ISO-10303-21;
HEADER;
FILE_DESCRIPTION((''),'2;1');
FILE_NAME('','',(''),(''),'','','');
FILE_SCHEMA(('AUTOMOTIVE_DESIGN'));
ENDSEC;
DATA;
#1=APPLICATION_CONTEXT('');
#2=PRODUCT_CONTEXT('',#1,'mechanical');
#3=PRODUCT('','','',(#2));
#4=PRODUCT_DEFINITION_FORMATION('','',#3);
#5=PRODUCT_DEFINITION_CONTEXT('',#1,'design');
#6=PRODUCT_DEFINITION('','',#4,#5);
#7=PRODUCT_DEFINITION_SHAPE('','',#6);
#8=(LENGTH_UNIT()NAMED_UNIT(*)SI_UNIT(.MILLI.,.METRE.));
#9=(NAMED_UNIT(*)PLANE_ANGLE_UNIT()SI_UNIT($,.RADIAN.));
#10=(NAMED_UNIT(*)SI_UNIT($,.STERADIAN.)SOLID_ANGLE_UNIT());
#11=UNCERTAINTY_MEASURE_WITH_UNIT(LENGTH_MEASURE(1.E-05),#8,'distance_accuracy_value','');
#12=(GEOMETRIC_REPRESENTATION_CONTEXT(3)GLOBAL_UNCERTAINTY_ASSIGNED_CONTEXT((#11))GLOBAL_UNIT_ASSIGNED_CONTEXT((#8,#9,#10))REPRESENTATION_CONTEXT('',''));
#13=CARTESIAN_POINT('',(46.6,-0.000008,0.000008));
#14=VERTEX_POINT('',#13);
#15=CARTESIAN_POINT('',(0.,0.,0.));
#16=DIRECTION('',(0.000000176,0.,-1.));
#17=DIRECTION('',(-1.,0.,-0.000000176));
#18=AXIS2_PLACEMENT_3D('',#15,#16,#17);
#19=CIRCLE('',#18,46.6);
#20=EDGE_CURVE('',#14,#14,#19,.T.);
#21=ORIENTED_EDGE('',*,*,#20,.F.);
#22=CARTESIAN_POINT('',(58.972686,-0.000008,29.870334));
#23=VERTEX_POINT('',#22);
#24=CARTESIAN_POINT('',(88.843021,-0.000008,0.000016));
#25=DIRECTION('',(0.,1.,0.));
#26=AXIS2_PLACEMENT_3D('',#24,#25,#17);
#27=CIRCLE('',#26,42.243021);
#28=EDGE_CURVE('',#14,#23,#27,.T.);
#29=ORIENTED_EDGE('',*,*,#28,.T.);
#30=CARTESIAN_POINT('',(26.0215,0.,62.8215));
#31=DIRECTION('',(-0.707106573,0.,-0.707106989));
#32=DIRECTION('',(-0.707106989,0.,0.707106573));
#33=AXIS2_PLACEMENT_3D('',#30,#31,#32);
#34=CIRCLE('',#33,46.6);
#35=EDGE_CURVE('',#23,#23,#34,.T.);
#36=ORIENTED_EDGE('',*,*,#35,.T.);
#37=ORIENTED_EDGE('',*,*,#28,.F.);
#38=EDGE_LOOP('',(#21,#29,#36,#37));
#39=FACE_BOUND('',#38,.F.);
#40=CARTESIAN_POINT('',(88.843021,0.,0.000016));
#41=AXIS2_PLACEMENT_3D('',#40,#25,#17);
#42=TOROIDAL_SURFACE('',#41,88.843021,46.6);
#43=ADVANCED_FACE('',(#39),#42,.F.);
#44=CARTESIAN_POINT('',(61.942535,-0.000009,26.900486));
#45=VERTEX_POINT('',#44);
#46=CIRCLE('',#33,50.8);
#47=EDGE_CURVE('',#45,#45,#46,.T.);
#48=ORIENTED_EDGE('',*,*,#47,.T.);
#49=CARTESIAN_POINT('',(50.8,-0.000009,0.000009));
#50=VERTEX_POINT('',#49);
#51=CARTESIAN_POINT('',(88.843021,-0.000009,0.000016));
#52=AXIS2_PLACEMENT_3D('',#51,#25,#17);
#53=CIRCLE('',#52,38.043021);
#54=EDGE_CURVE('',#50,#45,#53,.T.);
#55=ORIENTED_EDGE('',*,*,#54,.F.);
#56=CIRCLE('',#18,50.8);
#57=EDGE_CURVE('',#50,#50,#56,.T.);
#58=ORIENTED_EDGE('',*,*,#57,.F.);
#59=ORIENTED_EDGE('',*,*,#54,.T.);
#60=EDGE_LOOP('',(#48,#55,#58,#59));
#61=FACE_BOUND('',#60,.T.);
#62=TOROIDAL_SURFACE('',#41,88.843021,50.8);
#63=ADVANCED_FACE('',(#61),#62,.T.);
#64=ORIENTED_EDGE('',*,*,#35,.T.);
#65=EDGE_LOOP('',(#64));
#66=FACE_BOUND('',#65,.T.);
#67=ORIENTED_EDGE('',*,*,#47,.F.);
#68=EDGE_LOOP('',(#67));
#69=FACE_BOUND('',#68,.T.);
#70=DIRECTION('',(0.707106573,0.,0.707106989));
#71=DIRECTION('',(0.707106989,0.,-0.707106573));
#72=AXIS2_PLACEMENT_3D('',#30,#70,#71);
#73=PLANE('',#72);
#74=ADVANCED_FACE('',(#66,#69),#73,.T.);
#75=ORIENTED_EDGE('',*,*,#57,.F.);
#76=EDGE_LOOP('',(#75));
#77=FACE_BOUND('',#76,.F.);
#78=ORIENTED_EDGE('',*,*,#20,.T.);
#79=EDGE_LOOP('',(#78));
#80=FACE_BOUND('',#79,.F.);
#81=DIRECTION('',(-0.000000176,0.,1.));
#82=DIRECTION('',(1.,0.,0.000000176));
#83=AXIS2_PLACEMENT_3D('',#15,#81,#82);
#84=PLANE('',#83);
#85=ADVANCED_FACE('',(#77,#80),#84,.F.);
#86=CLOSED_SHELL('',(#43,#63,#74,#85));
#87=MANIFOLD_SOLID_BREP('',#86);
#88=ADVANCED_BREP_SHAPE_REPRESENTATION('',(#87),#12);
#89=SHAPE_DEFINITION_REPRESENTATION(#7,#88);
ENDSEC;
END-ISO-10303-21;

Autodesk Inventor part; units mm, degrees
ref_plane "YZ Plane" through (0, 0, 0) normal (1, 0, 0) x (0, 1, 0)
ref_plane "XZ Plane" through (0, 0, 0) normal (0, 1, 0) x (-1, 0, 0)
ref_plane "XY Plane" through (0, 0, 0) normal (0, 0, 1) x (1, 0, 0)
sketch "Sketch1" plane through (0, 0, 0) normal (0, 0, 1) x (1, 0, 0)
  circle A0 centre (0, 0) radius 46.6
  circle A1 centre (0, 0) radius 50.8
  dimension "d0" = 93.2
  dimension "d1" = 101.6
sketch "Sketch2" plane through (0, 0, 0) normal (0, 1, 0) x (-1, 0, 0)
  line L0 (0, 0) -> (0, 36.8) construction
  line L1 (0, 36.8) -> (-26.0215, 62.8215) construction
  arc A0 (0, 0) -> (-26.0215, 62.8215) centre (-88.8431, 0) ccw
  dimension "d2" = 36.8
  dimension "d3" = 45
  dimension "d4" = 36.8
sweep "Sweep1" add profiles "Sketch1" path "Sketch2"
equation "\"d0\" = D - 2 * T"
equation "\"d1\" = D"
equation "\"d2\" = H"
equation "\"d4\" = H"
equation "\"D\" = 101.6"
equation "\"H\" = 36.8"
equation "\"T\" = 4.2"
equation "\"Size_Designation\" = 1.2345"
properties part number "JIS B 2311 45 Deg Short Elbow Steel - 90A" material "Steel"
